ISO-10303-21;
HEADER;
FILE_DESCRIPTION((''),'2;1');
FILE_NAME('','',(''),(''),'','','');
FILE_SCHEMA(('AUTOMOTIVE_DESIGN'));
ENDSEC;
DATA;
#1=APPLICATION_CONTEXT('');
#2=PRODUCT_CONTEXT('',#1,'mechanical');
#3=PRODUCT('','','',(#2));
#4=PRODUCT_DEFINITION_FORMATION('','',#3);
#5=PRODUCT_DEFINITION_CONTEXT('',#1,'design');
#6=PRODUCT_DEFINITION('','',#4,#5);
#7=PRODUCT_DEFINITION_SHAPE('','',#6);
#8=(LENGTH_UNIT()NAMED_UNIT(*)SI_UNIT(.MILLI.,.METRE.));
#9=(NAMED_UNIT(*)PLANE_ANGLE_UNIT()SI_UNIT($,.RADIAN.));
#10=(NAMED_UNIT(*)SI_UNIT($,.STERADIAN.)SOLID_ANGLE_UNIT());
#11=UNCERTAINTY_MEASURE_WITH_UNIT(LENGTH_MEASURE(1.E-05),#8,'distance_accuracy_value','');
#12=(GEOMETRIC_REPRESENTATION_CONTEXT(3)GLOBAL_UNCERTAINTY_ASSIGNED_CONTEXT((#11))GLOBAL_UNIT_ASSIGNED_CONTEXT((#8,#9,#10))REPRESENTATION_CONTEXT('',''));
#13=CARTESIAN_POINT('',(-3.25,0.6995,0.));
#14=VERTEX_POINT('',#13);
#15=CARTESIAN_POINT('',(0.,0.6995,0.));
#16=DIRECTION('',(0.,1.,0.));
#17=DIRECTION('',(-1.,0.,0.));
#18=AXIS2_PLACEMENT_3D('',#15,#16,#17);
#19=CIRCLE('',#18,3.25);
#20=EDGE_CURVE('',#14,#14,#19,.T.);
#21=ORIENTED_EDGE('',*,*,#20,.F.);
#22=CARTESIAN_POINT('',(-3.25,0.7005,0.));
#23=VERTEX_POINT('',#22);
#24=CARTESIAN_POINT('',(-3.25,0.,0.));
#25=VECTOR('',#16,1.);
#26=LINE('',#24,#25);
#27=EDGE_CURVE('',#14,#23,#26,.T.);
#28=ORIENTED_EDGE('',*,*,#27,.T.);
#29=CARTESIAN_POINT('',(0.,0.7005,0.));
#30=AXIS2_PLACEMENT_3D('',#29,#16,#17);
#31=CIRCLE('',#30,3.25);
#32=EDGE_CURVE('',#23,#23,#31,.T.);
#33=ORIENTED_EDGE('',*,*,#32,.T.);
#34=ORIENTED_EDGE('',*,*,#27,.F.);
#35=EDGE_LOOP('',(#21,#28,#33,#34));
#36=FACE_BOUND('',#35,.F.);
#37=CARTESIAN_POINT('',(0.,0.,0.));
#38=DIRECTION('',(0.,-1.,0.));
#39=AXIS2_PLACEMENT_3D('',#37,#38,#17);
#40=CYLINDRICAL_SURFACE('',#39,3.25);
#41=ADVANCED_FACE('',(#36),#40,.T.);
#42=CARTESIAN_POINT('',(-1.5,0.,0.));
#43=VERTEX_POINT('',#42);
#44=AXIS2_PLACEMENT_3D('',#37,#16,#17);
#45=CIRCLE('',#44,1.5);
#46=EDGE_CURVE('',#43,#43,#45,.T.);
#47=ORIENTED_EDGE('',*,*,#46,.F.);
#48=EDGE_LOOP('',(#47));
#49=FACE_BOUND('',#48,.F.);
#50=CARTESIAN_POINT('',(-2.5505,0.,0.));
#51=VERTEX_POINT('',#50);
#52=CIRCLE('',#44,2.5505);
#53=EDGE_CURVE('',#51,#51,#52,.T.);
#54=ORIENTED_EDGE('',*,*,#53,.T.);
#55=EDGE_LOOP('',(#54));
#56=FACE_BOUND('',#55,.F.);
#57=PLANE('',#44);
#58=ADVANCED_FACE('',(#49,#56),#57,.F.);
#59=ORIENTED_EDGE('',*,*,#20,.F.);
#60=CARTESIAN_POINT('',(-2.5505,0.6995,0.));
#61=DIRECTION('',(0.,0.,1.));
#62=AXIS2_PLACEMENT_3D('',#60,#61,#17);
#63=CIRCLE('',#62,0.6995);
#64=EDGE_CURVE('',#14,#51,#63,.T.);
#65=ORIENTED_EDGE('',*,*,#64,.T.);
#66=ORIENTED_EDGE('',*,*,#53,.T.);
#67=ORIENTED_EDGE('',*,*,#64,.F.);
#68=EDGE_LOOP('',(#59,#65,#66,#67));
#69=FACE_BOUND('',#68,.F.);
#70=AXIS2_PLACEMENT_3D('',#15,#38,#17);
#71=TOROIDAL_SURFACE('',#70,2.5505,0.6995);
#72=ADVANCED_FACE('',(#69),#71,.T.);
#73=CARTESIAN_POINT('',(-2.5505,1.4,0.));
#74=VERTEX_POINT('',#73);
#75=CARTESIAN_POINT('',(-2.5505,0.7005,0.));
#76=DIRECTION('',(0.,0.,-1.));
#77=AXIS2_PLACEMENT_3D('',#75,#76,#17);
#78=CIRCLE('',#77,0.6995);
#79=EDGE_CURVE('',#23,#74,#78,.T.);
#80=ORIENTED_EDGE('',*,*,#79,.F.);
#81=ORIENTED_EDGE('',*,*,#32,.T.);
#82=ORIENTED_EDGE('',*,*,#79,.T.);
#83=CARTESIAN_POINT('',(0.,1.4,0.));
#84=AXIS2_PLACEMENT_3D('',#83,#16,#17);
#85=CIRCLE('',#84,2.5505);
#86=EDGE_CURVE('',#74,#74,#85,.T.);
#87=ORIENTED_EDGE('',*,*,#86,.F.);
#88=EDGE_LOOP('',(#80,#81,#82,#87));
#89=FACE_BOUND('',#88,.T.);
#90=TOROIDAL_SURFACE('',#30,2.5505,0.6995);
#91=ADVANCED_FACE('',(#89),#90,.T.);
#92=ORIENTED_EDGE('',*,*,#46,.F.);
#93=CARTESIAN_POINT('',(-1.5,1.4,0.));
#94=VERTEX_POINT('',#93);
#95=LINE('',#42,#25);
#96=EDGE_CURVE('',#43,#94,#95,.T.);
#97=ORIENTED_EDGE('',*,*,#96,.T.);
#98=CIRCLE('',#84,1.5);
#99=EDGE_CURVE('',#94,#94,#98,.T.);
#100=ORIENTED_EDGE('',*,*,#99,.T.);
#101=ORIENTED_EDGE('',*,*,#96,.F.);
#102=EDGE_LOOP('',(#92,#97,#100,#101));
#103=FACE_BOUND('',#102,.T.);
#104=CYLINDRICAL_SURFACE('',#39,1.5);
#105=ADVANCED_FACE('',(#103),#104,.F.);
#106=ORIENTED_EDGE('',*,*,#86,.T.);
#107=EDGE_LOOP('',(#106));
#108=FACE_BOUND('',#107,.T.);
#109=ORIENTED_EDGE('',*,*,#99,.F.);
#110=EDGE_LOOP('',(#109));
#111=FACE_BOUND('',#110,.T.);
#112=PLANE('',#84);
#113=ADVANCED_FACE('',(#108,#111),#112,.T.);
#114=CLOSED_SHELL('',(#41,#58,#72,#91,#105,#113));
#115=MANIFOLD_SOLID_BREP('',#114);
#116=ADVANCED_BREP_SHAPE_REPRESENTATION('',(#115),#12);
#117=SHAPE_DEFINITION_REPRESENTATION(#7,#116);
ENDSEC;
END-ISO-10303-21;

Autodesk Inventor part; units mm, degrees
ref_plane "YZ Plane" through (0, 0, 0) normal (1, 0, 0) x (0, 1, 0)
ref_plane "XZ Plane" through (0, 0, 0) normal (0, 1, 0) x (-1, 0, 0)
ref_plane "XY Plane" through (0, 0, 0) normal (0, 0, 1) x (1, 0, 0)
sketch "スケッチ1" plane through (0, 0, 0) normal (0, 1, 0) x (-1, 0, 0)
  circle A0 centre (0, 0) radius 3.25
  circle A1 centre (0, 0) radius 1.5
  dimension "d0" = 6.5
  dimension "d1" = 3
extrude "押し出し1" add sketch "スケッチ1" along normal blind 1.4
fillet "フィレット1" radius 0.7 2 edges at (3.25, 1.4, 0) (3.25, 0, 0)
properties part number "タミヤダンパー6" material "ゴム"
